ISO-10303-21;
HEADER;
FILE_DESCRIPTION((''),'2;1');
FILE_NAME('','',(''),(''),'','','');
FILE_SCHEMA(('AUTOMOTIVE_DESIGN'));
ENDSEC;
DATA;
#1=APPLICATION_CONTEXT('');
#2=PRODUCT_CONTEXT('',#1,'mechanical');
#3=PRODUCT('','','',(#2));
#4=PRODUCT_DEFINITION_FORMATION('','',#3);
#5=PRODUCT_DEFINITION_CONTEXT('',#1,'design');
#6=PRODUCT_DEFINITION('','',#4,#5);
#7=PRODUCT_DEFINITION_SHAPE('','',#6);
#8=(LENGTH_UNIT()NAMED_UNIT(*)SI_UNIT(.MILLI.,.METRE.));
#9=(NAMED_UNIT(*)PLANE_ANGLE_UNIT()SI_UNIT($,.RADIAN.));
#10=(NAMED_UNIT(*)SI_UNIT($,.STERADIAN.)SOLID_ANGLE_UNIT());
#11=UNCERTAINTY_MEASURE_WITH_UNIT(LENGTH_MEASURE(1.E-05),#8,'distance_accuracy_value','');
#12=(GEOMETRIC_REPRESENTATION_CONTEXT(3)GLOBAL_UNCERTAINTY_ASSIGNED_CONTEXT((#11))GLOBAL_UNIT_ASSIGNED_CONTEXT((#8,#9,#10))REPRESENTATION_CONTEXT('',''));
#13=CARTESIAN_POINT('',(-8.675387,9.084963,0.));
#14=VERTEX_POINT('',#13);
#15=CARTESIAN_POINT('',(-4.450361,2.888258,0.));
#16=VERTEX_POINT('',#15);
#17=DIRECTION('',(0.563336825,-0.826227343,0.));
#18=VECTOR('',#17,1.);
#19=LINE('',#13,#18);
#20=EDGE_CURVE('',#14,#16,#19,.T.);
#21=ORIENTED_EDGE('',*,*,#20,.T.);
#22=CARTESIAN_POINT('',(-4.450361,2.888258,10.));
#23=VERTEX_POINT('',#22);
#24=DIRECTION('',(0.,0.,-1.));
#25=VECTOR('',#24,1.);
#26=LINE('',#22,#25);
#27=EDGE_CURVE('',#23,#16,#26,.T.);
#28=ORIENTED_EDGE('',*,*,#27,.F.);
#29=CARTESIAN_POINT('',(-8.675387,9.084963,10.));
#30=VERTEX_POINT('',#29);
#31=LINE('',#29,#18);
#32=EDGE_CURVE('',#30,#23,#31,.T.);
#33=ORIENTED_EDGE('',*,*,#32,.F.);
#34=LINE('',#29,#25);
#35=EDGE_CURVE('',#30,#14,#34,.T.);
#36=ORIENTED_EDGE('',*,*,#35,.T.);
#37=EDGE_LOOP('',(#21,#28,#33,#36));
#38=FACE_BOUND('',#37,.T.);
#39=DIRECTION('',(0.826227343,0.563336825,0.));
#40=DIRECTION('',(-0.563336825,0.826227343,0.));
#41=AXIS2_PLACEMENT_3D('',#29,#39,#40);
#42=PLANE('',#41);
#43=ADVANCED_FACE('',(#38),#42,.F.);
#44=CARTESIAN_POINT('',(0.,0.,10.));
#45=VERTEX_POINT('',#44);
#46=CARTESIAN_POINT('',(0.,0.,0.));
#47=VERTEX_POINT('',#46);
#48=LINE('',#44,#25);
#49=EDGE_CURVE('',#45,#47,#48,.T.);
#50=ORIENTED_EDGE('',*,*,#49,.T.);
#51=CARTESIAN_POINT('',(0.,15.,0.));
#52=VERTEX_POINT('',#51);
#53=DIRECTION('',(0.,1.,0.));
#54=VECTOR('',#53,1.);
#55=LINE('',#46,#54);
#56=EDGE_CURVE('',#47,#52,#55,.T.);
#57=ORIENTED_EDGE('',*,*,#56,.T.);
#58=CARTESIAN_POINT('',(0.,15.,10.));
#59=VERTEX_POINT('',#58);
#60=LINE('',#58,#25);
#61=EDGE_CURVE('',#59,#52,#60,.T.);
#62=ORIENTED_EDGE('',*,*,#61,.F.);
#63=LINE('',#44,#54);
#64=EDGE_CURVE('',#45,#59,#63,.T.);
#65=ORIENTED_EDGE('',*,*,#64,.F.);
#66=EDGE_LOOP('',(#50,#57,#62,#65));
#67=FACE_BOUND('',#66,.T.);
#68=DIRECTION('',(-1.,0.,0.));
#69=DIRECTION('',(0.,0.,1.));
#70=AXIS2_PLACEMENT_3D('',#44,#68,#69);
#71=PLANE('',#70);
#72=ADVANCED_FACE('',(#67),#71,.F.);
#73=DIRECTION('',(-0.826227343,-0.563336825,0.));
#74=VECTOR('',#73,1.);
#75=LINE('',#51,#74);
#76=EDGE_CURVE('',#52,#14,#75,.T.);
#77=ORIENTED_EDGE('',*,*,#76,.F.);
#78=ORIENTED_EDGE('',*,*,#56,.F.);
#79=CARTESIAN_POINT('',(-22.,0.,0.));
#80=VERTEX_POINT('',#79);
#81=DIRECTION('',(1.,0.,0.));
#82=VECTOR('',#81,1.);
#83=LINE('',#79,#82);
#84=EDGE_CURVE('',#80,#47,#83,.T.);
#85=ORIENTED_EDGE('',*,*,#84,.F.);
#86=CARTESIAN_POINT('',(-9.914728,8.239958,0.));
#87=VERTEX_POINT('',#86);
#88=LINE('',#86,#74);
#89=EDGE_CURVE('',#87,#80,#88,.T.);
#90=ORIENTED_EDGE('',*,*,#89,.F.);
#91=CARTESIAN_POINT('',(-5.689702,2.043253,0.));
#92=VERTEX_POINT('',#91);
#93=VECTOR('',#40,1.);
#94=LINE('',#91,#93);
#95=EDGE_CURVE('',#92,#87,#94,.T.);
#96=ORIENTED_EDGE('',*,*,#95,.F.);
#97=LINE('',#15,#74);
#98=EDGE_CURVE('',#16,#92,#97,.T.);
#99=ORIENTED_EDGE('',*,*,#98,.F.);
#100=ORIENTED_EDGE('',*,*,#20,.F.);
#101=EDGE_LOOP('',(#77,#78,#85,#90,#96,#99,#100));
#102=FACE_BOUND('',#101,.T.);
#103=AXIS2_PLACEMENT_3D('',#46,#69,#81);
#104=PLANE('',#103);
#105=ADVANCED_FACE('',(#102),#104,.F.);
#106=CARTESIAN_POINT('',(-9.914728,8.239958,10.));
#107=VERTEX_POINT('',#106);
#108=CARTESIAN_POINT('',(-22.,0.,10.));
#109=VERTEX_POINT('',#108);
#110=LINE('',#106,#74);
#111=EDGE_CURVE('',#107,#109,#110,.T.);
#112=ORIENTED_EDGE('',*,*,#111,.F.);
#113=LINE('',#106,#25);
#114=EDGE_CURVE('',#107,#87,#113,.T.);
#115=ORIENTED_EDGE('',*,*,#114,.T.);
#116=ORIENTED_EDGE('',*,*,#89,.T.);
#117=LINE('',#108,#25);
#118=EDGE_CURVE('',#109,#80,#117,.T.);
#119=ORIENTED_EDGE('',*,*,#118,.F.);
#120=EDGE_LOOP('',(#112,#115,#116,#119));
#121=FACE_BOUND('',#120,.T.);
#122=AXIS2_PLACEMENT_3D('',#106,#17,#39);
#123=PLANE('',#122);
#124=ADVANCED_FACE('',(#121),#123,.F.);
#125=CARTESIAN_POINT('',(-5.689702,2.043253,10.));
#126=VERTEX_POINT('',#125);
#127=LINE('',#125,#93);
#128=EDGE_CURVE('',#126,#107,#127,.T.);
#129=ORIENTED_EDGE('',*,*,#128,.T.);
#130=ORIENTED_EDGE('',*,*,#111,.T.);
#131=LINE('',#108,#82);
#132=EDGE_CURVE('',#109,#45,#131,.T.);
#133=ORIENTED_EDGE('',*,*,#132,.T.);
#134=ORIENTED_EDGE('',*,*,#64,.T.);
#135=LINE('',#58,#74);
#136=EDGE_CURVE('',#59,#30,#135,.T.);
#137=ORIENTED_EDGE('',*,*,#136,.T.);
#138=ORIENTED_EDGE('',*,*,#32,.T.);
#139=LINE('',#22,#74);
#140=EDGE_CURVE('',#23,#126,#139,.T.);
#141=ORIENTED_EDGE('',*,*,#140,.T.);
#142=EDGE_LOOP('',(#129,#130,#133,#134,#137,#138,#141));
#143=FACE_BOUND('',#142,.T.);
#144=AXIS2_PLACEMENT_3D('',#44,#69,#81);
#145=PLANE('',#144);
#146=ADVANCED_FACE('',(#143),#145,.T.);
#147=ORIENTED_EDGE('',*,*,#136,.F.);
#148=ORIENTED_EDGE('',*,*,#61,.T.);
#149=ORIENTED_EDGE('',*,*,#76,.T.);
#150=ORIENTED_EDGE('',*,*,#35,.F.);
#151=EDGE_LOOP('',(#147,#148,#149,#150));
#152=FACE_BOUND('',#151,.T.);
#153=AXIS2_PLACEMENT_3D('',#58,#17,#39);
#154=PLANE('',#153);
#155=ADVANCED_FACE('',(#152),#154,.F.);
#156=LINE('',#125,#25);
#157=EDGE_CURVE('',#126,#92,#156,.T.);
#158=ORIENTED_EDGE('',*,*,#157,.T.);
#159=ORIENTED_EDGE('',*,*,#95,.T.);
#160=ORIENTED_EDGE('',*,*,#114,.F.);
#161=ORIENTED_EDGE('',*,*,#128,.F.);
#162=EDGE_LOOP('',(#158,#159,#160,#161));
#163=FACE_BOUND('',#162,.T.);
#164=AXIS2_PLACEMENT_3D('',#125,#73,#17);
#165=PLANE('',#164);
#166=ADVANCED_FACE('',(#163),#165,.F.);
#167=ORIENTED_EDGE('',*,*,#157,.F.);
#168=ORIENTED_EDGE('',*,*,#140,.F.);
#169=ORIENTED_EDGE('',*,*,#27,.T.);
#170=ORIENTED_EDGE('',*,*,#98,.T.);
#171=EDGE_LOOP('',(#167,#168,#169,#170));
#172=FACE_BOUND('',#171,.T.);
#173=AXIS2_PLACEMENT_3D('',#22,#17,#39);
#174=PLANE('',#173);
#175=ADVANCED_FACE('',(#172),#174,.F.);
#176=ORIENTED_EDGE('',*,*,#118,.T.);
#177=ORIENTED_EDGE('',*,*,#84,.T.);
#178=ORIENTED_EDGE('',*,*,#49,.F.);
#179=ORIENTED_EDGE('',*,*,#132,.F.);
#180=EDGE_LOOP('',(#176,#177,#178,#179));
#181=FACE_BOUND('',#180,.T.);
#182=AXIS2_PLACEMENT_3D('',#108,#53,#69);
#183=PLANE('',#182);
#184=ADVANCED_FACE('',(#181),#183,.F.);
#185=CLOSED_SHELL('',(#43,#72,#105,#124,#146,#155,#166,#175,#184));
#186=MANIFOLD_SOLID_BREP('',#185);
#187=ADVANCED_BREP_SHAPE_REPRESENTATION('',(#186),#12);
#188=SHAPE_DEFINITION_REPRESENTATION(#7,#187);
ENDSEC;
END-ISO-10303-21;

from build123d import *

# Parameters (mm, degrees)
RESSALTO_EXTRUS_O1_DEPTH = 10


with BuildPart() as part:
    # Esboço1 → Ressalto-extrusão1 (new body)
    with BuildSketch(Plane.XY):
        Polygon((0, 0), (0, 15), (-8.675387099, 9.084963341), (-4.450360915, 2.88825827), (-5.689701929, 2.043253033), (-9.914728114, 8.239958104), (-22, 0), align=None)
    extrude(amount=RESSALTO_EXTRUS_O1_DEPTH)


solid = part.part
